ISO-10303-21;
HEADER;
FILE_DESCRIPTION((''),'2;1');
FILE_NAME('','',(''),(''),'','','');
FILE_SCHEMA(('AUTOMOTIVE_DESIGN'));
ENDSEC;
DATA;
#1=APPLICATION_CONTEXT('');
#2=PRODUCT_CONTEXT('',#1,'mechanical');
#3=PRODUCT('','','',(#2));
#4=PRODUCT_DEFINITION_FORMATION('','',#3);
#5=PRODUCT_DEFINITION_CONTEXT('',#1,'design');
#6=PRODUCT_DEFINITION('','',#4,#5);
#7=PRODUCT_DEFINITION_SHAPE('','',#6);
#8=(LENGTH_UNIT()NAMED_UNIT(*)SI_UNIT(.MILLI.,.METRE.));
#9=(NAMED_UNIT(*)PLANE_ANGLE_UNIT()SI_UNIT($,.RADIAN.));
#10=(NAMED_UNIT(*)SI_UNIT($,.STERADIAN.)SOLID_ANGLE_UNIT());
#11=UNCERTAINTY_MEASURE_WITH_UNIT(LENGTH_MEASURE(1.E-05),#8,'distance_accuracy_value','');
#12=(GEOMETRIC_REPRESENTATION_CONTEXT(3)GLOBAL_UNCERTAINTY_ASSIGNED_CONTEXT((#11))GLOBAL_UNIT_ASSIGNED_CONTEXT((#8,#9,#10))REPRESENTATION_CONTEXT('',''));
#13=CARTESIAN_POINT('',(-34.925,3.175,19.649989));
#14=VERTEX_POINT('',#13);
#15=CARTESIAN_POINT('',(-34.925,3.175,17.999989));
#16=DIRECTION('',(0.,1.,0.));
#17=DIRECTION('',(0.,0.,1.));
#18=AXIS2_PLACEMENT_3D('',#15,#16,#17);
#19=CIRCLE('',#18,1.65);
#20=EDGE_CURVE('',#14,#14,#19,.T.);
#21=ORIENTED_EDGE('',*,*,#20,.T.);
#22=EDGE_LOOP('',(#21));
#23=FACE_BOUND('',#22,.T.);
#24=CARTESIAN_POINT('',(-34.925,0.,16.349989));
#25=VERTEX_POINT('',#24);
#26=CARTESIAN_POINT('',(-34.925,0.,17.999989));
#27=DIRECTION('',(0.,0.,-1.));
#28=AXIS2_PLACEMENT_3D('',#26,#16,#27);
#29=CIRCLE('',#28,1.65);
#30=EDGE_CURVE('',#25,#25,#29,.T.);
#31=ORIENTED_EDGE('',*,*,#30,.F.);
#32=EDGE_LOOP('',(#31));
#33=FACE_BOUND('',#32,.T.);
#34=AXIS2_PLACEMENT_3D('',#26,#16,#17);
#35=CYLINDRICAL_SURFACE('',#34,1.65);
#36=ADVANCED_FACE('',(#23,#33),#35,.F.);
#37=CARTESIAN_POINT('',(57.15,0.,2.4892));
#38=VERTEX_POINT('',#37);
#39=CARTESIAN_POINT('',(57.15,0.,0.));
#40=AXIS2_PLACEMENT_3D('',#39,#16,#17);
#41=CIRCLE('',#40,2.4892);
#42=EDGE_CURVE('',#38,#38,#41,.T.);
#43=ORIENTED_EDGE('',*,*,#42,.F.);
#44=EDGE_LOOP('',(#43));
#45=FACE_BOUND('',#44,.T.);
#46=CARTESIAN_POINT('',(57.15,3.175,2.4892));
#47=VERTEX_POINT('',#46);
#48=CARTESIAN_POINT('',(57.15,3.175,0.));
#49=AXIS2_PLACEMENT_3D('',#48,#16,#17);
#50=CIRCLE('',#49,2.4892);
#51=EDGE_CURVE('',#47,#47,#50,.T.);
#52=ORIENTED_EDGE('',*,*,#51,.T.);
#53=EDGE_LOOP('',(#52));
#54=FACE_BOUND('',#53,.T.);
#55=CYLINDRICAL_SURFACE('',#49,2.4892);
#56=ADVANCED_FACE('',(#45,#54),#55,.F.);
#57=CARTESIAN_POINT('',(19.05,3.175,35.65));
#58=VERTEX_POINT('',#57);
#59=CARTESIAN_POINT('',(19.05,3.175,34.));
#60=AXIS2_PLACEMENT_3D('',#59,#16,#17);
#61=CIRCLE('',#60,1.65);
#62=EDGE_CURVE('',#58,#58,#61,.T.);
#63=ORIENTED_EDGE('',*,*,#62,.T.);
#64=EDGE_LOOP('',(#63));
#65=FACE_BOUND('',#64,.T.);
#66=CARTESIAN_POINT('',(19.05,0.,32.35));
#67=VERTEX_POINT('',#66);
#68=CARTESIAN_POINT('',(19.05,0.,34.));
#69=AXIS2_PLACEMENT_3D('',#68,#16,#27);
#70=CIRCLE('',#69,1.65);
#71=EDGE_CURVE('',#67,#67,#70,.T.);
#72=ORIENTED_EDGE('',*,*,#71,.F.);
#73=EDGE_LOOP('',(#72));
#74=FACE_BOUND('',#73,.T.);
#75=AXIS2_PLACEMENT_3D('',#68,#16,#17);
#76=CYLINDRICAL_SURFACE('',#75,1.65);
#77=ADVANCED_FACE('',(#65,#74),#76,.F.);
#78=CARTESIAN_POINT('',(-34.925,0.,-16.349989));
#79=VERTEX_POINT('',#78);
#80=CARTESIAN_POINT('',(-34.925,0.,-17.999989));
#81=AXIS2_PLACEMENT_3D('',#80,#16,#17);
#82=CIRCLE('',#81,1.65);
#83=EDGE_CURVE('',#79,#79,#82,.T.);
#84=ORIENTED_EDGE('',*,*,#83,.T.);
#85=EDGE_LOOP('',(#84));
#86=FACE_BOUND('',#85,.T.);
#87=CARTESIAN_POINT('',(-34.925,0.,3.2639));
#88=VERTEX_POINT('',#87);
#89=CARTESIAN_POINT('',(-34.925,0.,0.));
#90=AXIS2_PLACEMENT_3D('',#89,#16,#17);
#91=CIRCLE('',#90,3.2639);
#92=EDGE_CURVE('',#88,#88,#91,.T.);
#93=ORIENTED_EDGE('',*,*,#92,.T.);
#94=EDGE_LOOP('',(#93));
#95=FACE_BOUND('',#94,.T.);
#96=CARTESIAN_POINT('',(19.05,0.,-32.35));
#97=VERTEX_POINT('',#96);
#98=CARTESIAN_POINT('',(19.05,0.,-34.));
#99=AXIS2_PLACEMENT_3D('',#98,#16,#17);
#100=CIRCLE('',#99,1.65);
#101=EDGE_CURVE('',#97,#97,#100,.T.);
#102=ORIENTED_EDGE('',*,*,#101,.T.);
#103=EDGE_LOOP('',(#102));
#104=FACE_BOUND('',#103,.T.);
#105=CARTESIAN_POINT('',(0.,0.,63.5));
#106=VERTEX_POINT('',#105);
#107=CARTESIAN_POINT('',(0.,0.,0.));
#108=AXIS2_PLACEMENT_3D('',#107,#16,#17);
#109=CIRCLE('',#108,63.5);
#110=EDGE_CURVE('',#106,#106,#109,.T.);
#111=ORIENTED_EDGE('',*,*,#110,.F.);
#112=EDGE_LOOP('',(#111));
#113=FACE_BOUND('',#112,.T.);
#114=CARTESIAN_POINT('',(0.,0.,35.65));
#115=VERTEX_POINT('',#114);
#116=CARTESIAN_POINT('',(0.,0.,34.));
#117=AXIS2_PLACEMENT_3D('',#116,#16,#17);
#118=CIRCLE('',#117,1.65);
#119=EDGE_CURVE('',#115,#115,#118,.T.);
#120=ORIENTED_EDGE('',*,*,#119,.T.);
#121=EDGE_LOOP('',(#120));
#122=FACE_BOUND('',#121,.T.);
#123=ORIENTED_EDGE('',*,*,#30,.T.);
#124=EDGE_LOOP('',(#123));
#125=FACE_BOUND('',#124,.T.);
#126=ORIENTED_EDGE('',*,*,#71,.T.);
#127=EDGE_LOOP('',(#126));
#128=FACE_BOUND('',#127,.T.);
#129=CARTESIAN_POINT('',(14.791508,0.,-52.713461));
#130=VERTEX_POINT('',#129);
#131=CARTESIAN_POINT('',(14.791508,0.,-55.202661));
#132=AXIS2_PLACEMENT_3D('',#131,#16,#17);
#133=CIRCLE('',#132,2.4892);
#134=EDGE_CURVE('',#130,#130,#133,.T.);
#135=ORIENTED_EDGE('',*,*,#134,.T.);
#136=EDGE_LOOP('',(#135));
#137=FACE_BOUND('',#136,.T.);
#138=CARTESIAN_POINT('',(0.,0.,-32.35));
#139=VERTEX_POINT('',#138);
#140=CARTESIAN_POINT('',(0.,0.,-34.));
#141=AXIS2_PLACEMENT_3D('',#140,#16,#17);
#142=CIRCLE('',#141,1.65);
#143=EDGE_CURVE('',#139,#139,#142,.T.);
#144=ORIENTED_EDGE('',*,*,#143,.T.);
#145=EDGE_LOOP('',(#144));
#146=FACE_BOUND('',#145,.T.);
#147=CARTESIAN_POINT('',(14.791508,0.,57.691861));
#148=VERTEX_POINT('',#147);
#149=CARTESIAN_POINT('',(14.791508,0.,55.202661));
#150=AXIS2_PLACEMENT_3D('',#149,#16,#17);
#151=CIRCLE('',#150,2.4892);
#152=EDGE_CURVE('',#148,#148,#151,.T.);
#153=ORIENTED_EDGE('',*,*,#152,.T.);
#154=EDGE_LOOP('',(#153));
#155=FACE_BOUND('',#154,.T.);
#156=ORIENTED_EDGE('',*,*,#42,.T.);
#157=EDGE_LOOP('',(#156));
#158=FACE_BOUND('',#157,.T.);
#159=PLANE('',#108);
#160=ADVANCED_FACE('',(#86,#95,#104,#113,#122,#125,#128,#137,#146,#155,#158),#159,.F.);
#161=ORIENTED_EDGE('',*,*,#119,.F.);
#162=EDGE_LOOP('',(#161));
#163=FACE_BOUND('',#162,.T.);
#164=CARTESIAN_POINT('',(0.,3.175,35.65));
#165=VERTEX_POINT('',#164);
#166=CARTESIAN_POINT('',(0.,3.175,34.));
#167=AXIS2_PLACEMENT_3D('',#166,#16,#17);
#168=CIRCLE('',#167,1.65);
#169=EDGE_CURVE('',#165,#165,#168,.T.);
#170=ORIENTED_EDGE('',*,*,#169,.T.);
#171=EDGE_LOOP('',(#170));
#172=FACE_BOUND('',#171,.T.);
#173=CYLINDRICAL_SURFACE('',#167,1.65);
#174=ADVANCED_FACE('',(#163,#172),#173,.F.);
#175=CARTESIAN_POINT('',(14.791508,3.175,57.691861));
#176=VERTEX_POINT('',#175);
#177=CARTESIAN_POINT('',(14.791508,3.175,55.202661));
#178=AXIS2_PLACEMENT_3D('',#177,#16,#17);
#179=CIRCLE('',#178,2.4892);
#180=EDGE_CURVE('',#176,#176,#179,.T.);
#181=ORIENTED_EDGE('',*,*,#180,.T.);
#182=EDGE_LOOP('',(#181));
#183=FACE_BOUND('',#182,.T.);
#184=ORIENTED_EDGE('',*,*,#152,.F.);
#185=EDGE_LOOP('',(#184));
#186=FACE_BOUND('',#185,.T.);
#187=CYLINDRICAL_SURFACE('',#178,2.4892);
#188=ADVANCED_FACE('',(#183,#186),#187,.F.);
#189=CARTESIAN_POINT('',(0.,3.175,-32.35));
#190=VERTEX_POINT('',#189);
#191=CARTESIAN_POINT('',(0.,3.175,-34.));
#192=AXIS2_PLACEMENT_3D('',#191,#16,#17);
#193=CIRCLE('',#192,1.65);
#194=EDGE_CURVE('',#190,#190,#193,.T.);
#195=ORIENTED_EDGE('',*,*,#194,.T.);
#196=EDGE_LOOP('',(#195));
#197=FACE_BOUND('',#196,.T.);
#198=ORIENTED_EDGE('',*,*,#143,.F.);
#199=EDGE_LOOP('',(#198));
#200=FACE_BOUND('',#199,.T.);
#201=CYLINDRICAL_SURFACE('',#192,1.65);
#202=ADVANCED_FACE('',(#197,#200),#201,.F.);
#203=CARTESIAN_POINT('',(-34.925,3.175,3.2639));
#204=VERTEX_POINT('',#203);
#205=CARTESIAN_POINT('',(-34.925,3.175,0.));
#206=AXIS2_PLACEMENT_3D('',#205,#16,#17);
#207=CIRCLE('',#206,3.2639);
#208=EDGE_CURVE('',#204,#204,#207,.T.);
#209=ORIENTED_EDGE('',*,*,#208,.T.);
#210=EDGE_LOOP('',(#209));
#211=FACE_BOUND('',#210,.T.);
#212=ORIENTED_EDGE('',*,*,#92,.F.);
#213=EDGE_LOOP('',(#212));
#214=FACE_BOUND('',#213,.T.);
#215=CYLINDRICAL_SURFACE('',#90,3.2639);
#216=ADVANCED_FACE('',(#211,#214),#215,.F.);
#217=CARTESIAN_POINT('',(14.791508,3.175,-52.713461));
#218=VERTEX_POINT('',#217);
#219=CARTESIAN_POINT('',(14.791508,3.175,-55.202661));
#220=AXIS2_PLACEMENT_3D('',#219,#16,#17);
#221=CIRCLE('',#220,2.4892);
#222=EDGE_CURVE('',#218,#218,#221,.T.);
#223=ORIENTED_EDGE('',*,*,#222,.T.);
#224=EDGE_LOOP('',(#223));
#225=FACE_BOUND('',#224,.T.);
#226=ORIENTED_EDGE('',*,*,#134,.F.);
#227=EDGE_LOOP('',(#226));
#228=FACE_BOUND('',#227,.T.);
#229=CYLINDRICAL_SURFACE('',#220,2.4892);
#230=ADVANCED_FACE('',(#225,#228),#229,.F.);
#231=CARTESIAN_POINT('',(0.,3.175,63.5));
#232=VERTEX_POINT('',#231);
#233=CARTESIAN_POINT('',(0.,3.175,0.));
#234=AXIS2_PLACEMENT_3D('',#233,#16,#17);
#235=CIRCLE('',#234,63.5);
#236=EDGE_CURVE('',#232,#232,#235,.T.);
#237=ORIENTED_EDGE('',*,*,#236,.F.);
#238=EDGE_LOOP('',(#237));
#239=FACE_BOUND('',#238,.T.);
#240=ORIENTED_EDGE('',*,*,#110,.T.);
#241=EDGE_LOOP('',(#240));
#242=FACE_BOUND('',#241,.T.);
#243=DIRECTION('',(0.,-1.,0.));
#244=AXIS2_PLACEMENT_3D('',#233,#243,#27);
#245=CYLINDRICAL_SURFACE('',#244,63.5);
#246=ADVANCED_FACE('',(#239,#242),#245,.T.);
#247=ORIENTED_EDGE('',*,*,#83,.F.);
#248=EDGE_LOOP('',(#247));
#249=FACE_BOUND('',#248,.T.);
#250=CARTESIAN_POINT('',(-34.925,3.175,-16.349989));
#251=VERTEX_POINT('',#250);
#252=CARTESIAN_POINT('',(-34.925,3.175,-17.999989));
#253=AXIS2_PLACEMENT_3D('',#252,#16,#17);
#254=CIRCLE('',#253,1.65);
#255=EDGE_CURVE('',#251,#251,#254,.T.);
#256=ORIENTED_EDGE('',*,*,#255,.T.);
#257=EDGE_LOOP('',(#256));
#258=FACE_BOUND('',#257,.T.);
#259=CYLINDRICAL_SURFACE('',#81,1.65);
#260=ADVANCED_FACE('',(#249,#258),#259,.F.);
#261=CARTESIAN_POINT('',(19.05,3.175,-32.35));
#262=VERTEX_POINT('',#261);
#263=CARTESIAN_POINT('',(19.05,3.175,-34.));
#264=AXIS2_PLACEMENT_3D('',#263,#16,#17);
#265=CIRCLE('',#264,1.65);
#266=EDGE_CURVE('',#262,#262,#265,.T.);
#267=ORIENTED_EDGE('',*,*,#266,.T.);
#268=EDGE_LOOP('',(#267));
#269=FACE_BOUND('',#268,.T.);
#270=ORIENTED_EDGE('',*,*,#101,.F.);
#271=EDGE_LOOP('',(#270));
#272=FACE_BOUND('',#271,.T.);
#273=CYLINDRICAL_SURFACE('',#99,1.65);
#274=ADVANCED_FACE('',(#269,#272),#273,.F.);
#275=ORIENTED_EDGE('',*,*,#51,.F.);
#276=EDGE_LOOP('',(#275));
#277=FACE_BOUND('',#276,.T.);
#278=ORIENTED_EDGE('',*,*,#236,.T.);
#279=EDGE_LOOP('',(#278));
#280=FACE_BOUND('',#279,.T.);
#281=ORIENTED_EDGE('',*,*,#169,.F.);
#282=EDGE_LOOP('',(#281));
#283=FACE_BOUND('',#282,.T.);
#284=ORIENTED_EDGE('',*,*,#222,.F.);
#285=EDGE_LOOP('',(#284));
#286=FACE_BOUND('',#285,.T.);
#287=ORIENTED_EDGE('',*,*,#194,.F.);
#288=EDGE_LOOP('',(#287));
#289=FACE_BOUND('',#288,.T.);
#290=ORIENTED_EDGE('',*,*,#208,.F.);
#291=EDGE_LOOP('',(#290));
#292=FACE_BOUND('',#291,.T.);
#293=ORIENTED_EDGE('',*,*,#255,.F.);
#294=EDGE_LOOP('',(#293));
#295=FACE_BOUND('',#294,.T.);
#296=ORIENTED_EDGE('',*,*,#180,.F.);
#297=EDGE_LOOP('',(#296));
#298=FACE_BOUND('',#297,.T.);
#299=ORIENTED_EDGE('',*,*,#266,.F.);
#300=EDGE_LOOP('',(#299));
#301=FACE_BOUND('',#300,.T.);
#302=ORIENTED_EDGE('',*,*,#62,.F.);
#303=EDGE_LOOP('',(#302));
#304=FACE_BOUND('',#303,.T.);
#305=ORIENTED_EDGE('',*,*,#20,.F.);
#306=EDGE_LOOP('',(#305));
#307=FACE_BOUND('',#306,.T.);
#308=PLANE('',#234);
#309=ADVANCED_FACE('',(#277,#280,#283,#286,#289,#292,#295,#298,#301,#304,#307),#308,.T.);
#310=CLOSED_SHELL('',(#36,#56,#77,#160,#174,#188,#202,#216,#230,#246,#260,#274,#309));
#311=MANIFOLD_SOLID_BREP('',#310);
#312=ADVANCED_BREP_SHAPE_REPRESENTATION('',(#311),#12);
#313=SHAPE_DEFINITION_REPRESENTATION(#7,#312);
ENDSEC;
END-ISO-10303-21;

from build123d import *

# Parameters (mm, degrees)
SKETCH1_R                   = 63.5
BOSS_EXTRUDE1_DEPTH         = 3.175
TAP_DRILL_FOR_M4X0_7_TAP1_D = 3.3
F_9_0_196_DIAMETER_HOLE1_D  = 4.9784
CUT_EXTRUDE1_DEPTH          = 90.858670283
CUT_EXTRUDE1_DEPTH_BACK     = 90.858670283
SKETCH12_R                  = 3.2639
SKETCH12_R_2                = 1.65


with BuildPart() as part:
    # Sketch1 → Boss-Extrude1 (new body)
    with BuildSketch(Plane(origin=(0, 0, 0), x_dir=(1, 0, 0), z_dir=(0, 1, 0))):
        with Locations(Location((0, 0, 0), (0, 0, 270))):
            Circle(SKETCH1_R)
    extrude(amount=BOSS_EXTRUDE1_DEPTH)

    # Tap Drill for M4x0.7 Tap1 (through all)
    with Locations(Plane(origin=(0, 3.175, 0), x_dir=(1, 0, 0), z_dir=(0, 1, 0))):
        with Locations((0, 34), (0, -34)):
            Hole(TAP_DRILL_FOR_M4X0_7_TAP1_D / 2)

    # #9 (0.196) Diameter Hole1 (through all)
    with Locations(Plane(origin=(0, 3.175, 0), x_dir=(1, 0, 0), z_dir=(0, 1, 0))):
        with Locations((14.791508428, 55.202660972), (57.15, 0), (14.791508428, -55.202660972)):
            Hole(F_9_0_196_DIAMETER_HOLE1_D / 2)

    # Sketch12 → Cut-Extrude1 (cut, two sides: drawn at the far end of the back side and taken through both)
    with BuildSketch(Plane(origin=(0, 3.175, 0), x_dir=(1, 0, 0), z_dir=(0, 1, 0)).offset(-CUT_EXTRUDE1_DEPTH_BACK)):
        with Locations(Location((-34.925, 0, 0), (0, 0, 270))):
            Circle(SKETCH12_R)
        with Locations(Location((-34.925, 17.9999894, 0), (0, 0, 270))):
            Circle(SKETCH12_R_2)
        with Locations(Location((-34.925, -17.9999894, 0), (0, 0, 270))):
            Circle(SKETCH12_R_2)
        with Locations(Location((19.05, 34, 0), (0, 0, 270))):
            Circle(SKETCH12_R_2)
        with Locations(Location((19.05, -34, 0), (0, 0, 270))):
            Circle(SKETCH12_R_2)
    extrude(amount=CUT_EXTRUDE1_DEPTH + CUT_EXTRUDE1_DEPTH_BACK, mode=Mode.SUBTRACT)


solid = part.part
